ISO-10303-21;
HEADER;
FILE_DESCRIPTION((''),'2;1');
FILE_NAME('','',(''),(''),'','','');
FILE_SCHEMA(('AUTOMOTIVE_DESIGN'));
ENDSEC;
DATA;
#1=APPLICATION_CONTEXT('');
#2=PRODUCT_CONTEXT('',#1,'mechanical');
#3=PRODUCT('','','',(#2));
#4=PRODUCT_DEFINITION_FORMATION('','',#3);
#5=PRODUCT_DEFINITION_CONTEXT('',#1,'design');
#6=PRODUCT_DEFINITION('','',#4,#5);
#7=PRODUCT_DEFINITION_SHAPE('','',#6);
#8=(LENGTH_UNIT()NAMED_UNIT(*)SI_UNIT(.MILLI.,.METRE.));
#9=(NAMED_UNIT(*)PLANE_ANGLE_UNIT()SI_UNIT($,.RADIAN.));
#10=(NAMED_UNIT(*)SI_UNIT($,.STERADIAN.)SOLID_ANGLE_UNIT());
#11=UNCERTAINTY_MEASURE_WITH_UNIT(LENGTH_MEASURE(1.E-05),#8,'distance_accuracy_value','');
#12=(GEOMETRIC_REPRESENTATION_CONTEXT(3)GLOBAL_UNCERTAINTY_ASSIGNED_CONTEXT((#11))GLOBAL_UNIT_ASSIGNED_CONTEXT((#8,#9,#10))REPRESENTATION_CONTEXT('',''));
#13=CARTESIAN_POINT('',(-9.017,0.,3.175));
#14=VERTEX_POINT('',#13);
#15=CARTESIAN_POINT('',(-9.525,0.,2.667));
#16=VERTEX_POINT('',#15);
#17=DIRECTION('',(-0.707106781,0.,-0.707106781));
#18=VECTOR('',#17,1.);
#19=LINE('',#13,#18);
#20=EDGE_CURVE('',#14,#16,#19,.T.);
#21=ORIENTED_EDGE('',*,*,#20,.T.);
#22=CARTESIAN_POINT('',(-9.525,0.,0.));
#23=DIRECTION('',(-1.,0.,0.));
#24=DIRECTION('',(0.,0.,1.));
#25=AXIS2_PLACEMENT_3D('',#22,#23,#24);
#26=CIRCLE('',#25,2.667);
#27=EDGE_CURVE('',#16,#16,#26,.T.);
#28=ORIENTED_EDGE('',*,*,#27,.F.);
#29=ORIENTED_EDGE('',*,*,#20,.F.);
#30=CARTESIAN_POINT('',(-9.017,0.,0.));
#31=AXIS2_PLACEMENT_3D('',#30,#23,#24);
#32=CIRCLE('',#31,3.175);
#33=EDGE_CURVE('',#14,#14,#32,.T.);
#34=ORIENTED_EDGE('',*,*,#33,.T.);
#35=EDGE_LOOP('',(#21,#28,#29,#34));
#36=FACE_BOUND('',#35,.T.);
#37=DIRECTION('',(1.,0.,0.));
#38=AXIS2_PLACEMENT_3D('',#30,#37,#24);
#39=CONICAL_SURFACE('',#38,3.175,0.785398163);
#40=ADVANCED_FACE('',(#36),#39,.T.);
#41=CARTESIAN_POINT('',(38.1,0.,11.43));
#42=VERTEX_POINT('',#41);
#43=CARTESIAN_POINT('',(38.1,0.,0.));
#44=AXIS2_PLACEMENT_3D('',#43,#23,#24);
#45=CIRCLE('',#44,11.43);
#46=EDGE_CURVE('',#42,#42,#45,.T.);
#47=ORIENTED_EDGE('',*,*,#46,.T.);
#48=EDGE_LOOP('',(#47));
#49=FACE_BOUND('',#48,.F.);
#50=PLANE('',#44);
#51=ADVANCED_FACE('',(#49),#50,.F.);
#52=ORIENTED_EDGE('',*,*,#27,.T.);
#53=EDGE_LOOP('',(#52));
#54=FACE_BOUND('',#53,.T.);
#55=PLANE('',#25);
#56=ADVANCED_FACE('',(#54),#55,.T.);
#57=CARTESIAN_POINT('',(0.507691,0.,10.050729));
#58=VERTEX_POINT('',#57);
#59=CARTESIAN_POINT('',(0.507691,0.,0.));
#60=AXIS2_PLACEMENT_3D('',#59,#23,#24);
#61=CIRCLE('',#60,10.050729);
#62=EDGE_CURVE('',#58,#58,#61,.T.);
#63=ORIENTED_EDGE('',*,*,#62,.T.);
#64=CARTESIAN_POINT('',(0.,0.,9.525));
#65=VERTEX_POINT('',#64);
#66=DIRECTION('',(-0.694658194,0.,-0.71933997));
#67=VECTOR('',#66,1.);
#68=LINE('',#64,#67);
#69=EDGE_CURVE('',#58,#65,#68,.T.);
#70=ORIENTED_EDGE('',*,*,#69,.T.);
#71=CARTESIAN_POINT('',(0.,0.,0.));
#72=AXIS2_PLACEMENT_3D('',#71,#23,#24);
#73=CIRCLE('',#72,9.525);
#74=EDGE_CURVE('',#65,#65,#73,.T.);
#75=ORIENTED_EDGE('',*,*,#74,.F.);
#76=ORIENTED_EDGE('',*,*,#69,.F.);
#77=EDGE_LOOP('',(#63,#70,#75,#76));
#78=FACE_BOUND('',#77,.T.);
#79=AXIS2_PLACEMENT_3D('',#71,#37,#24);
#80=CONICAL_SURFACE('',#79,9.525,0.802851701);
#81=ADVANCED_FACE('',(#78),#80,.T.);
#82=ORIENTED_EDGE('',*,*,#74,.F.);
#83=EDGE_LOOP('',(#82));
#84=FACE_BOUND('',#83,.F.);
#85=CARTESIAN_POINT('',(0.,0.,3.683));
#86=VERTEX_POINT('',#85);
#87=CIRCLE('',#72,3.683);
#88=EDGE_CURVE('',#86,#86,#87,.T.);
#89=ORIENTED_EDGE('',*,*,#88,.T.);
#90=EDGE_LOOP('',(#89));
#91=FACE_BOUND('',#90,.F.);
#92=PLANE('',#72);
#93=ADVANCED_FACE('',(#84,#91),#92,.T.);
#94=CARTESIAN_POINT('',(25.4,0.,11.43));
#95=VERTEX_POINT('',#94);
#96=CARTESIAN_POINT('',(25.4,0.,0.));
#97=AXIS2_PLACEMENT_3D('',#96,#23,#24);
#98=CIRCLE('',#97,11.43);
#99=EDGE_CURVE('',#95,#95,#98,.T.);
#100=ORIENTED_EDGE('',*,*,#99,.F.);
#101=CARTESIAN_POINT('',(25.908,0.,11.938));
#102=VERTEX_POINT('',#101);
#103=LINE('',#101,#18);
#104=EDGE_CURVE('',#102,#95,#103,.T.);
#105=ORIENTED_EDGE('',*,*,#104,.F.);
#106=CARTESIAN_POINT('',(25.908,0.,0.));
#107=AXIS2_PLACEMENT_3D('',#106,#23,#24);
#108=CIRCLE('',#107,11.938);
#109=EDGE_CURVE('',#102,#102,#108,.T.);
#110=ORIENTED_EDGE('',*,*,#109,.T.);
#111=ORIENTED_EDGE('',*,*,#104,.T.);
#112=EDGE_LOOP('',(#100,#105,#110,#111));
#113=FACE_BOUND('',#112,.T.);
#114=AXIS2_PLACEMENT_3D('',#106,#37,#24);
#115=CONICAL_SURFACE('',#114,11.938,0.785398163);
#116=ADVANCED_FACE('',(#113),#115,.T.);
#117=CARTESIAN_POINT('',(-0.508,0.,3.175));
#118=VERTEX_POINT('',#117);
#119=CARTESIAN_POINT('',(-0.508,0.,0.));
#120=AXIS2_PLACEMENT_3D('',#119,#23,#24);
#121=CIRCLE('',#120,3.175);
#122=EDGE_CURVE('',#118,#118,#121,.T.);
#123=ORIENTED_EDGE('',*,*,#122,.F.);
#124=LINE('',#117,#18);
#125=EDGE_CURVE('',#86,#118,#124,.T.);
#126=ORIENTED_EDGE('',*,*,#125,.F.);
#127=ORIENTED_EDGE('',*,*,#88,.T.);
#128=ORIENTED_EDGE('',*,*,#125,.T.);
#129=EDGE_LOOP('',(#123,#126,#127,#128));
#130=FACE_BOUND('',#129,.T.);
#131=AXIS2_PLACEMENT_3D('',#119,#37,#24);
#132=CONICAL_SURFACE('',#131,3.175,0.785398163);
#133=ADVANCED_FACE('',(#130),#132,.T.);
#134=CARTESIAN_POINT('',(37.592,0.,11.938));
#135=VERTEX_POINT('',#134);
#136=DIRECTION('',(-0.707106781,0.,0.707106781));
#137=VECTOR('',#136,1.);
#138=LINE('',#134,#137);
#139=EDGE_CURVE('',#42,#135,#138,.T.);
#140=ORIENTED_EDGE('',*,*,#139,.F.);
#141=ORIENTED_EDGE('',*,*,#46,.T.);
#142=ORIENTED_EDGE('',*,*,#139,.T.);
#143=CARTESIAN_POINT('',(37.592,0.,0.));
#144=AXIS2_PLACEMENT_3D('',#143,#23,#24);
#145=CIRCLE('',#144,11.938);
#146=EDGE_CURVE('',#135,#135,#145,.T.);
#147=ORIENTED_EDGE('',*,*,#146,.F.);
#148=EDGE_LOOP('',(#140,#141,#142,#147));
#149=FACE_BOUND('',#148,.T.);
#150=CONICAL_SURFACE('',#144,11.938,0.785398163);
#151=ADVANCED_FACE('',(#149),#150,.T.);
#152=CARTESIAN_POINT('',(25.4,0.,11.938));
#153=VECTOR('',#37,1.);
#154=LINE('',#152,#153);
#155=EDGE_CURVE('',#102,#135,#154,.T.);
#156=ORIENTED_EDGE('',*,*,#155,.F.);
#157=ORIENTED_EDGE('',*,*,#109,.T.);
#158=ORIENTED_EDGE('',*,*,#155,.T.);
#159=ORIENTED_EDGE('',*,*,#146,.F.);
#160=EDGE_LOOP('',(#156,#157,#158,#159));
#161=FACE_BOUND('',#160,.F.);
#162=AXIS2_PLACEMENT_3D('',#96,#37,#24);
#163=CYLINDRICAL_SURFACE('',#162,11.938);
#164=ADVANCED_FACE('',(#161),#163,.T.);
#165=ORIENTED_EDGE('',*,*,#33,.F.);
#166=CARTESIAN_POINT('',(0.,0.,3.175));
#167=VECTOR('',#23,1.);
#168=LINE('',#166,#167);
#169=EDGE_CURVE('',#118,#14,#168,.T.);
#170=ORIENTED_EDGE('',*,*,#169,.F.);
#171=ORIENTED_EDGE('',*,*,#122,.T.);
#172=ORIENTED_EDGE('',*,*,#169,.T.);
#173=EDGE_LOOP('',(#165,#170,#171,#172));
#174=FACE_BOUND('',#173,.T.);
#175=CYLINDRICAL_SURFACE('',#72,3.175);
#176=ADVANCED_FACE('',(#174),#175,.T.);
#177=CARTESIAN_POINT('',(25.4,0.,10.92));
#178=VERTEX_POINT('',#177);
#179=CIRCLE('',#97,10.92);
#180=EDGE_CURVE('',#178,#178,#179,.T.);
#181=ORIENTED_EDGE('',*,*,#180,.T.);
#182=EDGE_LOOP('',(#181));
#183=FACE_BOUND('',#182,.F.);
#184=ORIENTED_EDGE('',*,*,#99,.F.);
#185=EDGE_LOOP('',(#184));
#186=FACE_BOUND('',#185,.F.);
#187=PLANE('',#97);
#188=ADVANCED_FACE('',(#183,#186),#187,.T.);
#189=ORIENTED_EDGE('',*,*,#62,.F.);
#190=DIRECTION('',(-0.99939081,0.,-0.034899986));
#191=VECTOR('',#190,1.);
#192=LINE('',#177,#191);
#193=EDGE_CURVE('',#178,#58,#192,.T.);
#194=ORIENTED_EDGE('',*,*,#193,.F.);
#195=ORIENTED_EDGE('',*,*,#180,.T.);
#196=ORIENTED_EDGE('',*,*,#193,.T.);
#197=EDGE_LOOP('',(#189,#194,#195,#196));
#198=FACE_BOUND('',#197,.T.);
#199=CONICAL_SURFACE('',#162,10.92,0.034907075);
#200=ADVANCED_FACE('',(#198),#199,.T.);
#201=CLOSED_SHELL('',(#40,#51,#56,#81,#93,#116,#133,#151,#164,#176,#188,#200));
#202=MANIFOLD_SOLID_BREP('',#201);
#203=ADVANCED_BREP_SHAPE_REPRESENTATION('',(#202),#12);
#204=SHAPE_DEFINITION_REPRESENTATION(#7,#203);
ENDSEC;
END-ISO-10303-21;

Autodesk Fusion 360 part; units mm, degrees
sketch "Sketch1" plane through (0, 0, 0) normal (0, 1, 0) x (1, 0, 0)
  line L0 (0, 0) -> (0, -10.033)
  line L1 (25.4, -10.92) -> (25.4, -11.938)
  line L2 (25.4, -11.938) -> (38.1, -11.938)
  line L3 (38.1, -11.938) -> (38.1, 0)
  line L4 (38.1, 0) -> (0, 0)
  line L5 (25.4, -10.92) -> (0, -10.033)
  line L6 (0, -3.175) -> (-9.525, -3.175)
  line L7 (-9.525, -3.175) -> (-9.525, 0)
  line L8 (-9.525, 0) -> (0, 0)
  dimension "d1" = 10.033
  dimension "d2" = 25.4
  dimension "d3" = 12.7
  dimension "d4" = 11.938
  dimension "d5" = 92
  dimension "d7" = 3.175
  dimension "d8" = 9.525
revolve "Revolve1" add sketch "Sketch1" angle 360 about axis through (38.1, 0, 0) along (-1, 0, 0)
chamfer "Chamfer1" distance 0.508 angle 45 5 edges at (-9.525, -1.1481, -2.9601) (0, -1.1481, -2.9601) (0, -3.6281, -9.354) (25.4, -4.317, -11.1301) (38.1, -4.317, -11.1301)
